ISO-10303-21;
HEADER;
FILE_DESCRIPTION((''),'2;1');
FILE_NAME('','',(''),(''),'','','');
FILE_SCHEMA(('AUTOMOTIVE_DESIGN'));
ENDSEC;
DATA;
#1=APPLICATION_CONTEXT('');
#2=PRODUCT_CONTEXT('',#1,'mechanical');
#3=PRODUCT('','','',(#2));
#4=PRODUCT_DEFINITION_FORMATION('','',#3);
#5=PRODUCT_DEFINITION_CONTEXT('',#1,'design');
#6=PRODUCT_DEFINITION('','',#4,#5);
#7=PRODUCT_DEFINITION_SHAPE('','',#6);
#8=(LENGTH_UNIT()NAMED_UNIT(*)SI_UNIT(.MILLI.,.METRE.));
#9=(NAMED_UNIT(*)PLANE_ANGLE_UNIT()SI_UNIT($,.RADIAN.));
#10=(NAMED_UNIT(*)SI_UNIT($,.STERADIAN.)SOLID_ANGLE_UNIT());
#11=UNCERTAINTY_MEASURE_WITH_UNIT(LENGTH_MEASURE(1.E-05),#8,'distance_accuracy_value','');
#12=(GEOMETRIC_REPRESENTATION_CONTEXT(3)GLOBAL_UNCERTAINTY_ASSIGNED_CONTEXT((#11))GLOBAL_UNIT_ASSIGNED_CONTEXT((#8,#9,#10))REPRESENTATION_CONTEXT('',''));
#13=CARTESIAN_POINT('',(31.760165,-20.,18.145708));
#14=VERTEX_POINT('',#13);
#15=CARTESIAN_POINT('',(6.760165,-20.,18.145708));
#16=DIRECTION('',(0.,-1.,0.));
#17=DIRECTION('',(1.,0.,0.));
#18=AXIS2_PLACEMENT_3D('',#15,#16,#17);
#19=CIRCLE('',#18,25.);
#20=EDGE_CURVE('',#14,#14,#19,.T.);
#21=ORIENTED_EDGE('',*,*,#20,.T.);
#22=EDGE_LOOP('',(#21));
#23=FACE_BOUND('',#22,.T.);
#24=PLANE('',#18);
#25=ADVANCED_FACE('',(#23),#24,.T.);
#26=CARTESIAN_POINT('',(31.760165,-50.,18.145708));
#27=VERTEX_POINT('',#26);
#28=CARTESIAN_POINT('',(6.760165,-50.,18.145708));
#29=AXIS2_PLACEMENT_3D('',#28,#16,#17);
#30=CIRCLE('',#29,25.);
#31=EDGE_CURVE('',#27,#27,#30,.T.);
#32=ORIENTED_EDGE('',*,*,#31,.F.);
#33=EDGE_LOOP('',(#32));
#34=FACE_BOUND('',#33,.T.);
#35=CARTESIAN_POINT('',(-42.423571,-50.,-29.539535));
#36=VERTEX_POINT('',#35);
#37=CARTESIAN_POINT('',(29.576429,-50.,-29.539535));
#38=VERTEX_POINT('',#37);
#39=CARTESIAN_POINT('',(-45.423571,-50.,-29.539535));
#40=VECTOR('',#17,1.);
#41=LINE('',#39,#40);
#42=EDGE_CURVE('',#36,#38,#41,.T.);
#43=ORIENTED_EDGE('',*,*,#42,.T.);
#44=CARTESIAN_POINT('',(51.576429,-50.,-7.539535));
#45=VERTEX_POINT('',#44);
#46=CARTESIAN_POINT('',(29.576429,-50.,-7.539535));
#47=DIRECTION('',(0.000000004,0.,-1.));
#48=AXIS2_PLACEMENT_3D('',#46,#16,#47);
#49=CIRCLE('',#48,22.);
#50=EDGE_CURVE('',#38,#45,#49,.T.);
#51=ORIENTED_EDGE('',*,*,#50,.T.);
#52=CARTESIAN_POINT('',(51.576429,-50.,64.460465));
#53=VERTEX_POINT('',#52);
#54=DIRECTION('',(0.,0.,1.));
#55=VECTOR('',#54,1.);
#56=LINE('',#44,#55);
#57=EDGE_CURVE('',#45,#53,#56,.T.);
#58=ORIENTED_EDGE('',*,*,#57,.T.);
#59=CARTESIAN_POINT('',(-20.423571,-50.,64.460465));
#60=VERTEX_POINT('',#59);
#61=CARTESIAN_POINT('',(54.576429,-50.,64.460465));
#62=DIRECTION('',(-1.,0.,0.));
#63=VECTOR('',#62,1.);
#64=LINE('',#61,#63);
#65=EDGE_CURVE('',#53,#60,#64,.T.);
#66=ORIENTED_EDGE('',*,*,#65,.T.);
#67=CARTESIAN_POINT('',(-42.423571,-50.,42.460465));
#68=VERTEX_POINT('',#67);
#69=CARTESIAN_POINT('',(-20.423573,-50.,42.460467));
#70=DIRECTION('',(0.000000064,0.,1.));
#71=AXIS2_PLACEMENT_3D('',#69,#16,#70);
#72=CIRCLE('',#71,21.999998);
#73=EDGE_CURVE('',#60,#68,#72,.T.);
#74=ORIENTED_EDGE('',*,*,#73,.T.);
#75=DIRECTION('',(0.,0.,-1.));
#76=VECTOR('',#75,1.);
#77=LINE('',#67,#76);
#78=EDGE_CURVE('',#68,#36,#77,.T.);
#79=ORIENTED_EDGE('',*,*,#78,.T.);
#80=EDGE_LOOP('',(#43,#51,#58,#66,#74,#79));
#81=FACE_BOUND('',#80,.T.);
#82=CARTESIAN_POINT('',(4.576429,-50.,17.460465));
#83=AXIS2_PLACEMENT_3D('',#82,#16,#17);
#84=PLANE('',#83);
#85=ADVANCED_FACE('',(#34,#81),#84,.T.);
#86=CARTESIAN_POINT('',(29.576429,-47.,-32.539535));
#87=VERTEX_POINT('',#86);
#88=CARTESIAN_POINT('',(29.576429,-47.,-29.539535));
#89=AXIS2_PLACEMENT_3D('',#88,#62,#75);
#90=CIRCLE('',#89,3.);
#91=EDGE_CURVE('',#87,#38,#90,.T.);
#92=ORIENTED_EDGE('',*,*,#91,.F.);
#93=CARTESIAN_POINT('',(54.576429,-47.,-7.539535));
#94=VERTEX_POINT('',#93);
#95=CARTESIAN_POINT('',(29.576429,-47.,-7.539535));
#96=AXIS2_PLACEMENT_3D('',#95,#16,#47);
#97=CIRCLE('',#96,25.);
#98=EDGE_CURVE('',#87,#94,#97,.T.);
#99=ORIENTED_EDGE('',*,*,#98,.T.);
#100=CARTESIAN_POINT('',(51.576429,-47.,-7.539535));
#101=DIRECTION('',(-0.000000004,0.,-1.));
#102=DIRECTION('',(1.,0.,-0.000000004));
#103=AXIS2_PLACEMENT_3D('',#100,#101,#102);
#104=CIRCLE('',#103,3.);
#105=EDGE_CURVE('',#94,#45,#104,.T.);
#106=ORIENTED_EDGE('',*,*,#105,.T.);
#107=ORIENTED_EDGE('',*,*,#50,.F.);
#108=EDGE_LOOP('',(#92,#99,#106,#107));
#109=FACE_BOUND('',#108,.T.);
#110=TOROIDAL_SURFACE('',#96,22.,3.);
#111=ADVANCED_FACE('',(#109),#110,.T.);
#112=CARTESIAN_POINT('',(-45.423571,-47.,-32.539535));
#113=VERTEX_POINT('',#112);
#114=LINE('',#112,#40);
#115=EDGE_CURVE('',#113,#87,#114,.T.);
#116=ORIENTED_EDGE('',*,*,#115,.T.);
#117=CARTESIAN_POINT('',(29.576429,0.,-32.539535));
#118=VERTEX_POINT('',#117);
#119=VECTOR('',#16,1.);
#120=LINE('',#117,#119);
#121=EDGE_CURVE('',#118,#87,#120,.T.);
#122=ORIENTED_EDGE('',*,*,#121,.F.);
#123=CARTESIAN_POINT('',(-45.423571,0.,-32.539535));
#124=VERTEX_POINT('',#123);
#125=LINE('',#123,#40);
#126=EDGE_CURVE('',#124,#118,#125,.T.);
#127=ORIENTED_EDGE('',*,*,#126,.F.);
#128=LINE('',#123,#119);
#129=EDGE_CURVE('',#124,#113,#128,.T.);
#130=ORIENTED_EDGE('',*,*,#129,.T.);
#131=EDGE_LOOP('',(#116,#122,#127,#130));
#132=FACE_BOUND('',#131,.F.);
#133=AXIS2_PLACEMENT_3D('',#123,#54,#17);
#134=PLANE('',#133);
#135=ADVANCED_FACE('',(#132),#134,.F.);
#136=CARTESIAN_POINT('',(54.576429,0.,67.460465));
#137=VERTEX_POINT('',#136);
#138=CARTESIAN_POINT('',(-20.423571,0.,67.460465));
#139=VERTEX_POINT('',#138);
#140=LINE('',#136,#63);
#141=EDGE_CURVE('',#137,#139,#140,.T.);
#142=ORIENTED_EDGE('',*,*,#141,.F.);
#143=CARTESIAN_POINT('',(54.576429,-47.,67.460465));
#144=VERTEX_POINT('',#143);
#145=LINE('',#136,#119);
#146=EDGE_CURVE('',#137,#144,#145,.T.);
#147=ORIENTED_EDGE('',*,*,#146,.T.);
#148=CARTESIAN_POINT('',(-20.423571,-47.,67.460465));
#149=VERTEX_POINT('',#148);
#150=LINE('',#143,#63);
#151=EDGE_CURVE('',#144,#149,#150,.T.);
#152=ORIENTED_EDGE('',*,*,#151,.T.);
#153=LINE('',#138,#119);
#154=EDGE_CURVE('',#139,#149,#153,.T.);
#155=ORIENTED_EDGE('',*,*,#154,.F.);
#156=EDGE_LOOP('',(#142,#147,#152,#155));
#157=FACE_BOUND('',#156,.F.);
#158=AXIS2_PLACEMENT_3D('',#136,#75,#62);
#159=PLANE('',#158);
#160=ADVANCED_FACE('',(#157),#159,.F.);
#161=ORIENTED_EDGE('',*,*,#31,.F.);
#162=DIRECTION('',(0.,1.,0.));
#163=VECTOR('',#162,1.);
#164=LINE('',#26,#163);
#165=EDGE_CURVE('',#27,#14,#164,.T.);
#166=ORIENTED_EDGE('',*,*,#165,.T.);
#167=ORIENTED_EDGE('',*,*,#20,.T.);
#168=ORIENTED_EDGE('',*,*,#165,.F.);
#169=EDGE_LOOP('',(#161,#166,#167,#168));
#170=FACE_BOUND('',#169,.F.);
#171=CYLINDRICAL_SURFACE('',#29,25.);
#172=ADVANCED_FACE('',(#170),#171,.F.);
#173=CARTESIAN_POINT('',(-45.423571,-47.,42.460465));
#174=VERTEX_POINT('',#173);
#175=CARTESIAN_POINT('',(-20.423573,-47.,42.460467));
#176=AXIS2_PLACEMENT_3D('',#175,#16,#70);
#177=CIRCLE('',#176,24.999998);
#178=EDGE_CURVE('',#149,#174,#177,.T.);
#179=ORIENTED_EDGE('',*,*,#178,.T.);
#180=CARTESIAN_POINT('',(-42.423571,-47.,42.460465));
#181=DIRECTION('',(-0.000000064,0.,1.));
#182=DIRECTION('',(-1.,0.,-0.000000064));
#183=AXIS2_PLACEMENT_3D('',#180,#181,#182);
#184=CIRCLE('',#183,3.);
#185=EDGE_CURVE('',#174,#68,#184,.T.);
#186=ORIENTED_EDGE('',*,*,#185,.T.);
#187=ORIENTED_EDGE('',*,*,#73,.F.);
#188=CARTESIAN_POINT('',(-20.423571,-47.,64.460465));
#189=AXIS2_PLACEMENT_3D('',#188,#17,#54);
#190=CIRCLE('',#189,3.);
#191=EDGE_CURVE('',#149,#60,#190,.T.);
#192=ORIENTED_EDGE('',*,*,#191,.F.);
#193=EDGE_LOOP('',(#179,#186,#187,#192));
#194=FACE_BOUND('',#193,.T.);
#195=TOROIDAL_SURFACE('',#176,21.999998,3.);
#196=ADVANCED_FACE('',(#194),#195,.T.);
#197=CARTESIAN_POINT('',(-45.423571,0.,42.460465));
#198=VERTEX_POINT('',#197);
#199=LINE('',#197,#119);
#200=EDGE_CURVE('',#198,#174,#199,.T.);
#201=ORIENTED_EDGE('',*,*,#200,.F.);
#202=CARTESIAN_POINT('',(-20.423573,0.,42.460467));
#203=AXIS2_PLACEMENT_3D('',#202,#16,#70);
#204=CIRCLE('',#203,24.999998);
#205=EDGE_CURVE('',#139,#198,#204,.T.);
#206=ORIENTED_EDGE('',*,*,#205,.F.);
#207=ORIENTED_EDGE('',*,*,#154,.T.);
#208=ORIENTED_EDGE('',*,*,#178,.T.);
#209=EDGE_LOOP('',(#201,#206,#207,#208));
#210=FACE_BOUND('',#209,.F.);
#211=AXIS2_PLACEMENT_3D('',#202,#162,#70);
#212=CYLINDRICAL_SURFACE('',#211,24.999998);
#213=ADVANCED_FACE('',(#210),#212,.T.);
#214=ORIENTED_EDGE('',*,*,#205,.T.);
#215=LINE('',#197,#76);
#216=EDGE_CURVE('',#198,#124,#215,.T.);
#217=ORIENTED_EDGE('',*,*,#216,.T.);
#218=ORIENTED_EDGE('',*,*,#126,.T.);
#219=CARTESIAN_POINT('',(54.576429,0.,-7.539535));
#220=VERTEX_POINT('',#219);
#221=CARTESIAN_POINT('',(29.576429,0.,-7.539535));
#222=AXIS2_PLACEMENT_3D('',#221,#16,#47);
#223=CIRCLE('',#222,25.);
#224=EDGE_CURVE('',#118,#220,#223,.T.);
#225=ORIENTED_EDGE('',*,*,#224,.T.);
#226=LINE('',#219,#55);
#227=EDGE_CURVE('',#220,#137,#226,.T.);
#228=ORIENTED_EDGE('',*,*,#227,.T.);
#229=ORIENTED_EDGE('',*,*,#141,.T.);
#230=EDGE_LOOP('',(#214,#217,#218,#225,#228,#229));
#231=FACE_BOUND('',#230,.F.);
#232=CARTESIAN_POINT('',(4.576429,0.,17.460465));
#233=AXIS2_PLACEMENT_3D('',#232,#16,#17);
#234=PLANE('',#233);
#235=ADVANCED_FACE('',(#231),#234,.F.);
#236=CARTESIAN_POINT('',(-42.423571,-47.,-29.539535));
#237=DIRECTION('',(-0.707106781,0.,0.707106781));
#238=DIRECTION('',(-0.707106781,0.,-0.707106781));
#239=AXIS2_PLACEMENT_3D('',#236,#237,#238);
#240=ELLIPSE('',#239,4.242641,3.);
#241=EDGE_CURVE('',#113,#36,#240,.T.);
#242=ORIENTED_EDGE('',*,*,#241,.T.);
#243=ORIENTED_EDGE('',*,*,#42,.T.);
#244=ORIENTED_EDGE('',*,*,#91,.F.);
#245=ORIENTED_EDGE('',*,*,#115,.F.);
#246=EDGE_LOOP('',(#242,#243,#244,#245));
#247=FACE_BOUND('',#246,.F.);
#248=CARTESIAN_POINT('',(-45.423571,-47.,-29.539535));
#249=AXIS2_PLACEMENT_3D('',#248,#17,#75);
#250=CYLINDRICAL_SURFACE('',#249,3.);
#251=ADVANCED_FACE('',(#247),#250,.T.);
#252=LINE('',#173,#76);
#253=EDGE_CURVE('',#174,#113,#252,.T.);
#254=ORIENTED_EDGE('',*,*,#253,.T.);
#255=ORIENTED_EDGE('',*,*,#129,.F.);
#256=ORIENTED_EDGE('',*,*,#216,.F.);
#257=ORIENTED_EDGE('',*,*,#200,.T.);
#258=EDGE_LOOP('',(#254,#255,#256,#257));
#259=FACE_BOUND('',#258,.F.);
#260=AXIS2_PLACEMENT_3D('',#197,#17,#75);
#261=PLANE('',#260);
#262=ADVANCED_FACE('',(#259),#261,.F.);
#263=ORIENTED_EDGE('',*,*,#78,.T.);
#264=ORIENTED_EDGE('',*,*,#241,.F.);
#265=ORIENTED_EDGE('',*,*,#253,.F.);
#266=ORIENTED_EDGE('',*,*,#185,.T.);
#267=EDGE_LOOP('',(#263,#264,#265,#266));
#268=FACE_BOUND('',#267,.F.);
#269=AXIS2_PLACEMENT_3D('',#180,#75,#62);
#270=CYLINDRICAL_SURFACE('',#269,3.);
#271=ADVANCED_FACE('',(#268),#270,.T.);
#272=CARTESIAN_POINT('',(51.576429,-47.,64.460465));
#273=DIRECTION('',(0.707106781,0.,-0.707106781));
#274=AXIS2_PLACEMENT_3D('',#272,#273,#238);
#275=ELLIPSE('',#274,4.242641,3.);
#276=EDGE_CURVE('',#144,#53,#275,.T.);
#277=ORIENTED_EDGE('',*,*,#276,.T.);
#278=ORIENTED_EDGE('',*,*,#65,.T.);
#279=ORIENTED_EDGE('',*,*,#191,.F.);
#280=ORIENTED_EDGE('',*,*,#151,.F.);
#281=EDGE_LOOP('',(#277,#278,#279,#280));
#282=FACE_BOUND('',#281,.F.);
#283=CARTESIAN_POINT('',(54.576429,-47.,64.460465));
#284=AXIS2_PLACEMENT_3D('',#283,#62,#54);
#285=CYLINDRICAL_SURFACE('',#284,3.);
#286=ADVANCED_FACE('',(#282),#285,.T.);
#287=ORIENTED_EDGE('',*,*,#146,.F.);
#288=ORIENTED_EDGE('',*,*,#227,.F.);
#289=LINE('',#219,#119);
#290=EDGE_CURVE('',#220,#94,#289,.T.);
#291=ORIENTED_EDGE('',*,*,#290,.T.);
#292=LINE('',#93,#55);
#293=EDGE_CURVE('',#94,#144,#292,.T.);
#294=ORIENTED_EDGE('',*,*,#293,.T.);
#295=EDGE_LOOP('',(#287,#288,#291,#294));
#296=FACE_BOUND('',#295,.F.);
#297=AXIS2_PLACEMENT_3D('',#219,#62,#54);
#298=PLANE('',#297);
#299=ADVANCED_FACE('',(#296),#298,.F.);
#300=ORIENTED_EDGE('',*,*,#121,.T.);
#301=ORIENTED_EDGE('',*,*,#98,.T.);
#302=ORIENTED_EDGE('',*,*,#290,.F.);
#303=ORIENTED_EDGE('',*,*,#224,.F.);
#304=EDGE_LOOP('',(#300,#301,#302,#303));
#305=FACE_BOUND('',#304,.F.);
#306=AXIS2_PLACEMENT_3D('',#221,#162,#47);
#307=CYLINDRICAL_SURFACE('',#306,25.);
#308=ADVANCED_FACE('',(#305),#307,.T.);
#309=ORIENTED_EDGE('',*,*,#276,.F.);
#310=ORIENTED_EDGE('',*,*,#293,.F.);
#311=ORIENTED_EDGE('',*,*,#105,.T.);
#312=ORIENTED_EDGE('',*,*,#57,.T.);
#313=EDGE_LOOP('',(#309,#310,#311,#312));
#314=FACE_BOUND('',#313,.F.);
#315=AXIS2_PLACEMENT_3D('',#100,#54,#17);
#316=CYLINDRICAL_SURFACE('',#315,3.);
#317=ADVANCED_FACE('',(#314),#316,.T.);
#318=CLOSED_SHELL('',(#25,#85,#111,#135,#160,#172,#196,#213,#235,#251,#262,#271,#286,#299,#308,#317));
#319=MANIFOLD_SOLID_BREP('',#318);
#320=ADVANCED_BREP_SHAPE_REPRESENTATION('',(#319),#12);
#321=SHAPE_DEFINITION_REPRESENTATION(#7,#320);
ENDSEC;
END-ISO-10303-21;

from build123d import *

# Parameters (mm, degrees)
F1_DEPTH = 50
F2_R     = 3
F3_R     = 25
F4_DEPTH = 30


with BuildPart() as f1:
    # F0 (on Front) → F1 (new body)
    with BuildSketch(Plane.XZ):
        with BuildLine():
            Line((54.576429, 67.460465), (-20.423571, 67.460465))
            ThreePointArc((-20.423571, 67.460465), (-38.101241, 60.138135), (-45.423571, 42.460465))
            Line((-45.423571, 42.460465), (-45.423571, -32.539535))
            Line((-45.423571, -32.539535), (29.576429, -32.539535))
            ThreePointArc((29.576429, -32.539535), (47.254099, -25.217204), (54.576429, -7.539535))
            Line((54.576429, -7.539535), (54.576429, 67.460465))
        make_face()
    extrude(amount=F1_DEPTH)

    # F2
    f2_edges = [f1.edges().sort_by_distance(p)[0] for p in [
        (17.076429, -50, 67.460465),
        (-38.101241, -50, 60.138135),
        (-45.423571, -50, 4.960465),
        (-7.923571, -50, -32.539535),
        (47.254099, -50, -25.217204),
        (54.576429, -50, 29.960465),
    ]]
    fillet(f2_edges, radius=F2_R)

    # F3 (on face) → F4 (cut)
    with BuildSketch(Plane.XZ.offset(50)):
        with Locations((6.760165, 18.145708)):
            Circle(F3_R)
    extrude(amount=-F4_DEPTH, mode=Mode.SUBTRACT)


solid = f1.part
